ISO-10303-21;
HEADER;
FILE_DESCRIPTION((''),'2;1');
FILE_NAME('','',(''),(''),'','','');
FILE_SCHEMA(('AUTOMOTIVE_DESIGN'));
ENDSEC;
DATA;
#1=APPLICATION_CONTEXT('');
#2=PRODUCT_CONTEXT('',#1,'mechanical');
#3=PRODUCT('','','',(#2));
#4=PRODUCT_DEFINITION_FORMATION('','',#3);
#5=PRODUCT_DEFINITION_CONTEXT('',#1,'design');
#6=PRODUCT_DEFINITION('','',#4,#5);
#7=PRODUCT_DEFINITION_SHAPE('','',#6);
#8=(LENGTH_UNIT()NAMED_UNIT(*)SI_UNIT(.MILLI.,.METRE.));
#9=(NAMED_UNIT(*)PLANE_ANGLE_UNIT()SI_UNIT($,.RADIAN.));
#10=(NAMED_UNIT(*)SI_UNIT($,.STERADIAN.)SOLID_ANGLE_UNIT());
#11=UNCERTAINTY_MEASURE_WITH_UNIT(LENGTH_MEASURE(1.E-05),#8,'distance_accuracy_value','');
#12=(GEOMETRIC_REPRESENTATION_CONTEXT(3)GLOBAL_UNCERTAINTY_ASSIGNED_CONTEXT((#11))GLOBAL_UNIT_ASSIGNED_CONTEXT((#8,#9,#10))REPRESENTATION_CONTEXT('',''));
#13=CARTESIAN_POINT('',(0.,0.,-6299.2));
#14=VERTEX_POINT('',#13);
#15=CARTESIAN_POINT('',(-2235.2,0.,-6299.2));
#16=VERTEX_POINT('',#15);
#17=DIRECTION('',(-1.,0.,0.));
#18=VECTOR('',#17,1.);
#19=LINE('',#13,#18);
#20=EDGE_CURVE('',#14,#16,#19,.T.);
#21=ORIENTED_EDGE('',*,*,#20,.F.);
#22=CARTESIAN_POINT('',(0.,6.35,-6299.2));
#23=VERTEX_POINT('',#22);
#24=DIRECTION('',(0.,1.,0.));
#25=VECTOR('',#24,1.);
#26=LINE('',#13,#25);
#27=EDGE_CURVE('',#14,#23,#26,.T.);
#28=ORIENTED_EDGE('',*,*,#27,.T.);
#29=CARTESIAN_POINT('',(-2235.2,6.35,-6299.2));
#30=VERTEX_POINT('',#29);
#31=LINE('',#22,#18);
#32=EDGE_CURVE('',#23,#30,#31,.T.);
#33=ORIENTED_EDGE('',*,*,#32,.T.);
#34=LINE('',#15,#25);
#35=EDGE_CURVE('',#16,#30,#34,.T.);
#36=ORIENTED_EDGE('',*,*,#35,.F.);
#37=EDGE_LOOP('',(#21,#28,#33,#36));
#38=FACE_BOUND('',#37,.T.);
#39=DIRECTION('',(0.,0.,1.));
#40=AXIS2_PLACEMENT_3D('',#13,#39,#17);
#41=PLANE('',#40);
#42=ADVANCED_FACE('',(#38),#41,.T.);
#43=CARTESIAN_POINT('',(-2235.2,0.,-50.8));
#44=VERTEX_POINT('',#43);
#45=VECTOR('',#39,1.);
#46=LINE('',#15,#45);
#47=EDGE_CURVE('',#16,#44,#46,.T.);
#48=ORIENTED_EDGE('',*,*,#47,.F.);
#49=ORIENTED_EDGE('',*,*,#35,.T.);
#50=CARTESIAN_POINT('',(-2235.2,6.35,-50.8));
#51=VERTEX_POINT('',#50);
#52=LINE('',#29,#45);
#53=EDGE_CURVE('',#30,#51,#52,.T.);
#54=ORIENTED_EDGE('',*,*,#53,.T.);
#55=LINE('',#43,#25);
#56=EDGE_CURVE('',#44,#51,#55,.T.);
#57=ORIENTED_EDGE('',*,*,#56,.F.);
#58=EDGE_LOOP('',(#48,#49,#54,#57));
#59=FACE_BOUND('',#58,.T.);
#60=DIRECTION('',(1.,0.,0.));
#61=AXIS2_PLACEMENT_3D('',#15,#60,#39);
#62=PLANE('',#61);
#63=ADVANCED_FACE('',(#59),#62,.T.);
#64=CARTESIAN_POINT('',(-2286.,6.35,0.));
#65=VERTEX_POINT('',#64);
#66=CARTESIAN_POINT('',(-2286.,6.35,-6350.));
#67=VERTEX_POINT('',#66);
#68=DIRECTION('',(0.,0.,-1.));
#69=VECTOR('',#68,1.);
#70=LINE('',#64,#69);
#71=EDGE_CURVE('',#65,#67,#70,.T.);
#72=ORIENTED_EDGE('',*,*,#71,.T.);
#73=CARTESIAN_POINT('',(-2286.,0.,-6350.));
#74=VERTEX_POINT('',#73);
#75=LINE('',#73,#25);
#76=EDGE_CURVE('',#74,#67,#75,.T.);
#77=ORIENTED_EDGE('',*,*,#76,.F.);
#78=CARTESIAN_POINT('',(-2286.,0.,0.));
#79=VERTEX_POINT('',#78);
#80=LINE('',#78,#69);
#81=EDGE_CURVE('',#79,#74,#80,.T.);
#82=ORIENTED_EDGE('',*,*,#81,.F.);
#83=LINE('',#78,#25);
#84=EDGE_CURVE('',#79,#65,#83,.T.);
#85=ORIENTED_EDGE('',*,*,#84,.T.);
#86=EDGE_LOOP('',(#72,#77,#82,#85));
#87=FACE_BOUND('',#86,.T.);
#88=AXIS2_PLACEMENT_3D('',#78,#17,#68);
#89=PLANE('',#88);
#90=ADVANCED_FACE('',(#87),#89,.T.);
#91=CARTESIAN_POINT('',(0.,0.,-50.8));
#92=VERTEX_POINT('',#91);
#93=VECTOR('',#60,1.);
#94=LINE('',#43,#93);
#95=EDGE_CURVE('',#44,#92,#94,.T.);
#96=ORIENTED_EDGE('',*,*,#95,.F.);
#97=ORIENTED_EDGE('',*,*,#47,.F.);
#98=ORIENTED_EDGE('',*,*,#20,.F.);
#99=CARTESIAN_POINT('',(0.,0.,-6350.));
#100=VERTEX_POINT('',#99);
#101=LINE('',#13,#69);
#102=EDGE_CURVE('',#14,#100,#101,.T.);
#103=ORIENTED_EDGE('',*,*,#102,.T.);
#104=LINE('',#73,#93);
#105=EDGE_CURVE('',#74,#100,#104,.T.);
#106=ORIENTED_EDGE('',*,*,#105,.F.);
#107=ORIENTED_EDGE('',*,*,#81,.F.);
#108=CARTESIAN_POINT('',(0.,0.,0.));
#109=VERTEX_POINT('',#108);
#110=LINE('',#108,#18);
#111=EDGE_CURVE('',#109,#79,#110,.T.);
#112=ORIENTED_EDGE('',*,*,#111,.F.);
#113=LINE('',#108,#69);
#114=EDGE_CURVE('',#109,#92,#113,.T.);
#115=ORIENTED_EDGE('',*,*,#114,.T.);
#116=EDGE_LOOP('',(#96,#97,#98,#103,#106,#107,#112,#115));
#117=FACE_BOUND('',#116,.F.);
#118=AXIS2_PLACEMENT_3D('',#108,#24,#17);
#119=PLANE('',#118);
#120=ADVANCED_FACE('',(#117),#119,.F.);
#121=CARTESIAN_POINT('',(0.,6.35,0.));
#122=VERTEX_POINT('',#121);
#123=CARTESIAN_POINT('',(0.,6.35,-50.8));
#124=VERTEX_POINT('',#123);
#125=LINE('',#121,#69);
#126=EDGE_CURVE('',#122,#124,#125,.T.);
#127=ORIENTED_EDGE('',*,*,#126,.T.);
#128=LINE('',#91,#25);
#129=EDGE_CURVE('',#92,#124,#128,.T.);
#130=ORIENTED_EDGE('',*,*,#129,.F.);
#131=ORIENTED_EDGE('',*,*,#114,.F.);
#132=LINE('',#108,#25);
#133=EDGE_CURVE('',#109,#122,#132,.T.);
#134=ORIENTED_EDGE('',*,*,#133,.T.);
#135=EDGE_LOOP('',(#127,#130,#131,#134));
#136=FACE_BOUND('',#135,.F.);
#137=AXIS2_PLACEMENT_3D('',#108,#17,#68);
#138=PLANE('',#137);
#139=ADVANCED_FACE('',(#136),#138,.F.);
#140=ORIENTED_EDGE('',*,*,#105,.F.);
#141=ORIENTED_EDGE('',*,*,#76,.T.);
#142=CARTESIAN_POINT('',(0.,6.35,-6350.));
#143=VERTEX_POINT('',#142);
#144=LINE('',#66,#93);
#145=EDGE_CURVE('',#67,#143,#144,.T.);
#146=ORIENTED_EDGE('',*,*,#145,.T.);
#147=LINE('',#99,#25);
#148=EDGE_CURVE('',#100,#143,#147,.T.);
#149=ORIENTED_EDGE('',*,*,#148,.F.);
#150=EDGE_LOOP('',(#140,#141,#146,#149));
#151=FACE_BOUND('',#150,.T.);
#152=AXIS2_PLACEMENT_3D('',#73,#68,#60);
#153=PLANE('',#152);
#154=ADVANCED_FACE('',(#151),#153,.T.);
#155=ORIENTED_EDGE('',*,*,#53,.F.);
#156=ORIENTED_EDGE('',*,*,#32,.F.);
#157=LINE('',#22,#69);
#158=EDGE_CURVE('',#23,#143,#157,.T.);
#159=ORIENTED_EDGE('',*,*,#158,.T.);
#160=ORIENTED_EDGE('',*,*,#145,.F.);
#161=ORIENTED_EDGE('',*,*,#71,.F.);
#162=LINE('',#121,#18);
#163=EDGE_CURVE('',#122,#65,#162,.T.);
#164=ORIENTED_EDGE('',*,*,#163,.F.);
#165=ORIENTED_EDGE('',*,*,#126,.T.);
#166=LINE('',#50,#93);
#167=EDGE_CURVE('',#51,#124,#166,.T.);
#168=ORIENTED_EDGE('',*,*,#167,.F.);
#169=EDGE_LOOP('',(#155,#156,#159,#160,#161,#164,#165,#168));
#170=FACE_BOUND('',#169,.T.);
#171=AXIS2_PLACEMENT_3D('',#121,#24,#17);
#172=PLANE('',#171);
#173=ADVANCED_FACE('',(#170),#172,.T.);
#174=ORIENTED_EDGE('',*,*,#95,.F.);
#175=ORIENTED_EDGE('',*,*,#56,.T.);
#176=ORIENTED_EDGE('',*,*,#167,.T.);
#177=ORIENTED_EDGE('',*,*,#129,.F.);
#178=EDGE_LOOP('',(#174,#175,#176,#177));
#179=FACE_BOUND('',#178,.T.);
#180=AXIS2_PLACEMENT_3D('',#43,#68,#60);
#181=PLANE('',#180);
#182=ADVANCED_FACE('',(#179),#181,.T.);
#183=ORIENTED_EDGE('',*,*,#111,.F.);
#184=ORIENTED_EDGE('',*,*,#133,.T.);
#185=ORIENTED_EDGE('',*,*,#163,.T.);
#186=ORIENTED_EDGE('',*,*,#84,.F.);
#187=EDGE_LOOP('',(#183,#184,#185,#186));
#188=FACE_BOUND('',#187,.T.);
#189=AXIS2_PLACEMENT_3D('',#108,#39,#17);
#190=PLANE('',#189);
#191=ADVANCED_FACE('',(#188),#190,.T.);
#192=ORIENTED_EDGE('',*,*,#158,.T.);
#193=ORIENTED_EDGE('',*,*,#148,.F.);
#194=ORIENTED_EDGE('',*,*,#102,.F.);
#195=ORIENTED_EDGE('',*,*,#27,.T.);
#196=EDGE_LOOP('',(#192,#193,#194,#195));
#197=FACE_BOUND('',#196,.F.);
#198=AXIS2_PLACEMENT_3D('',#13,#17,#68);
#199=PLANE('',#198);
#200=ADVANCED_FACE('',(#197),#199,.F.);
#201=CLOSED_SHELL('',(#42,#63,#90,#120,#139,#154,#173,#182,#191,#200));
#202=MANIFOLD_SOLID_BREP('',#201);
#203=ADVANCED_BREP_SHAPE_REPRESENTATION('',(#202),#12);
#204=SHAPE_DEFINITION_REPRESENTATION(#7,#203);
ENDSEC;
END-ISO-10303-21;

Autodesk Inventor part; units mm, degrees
ref_plane "YZ Plane" through (0, 0, 0) normal (1, 0, 0) x (0, 1, 0)
ref_plane "XZ Plane" through (0, 0, 0) normal (0, 1, 0) x (-1, 0, 0)
ref_plane "XY Plane" through (0, 0, 0) normal (0, 0, 1) x (1, 0, 0)
sketch "Sketch1" plane through (0, 0, 0) normal (0, 1, 0) x (-1, 0, 0)
  line L0 (0, 0) -> (2286, 0)
  line L1 (2286, 0) -> (2286, -6350)
  line L2 (2286, -6350) -> (0, -6350)
  line L3 (0, -6299.2) -> (2235.2, -6299.2)
  line L4 (2235.2, -6299.2) -> (2235.2, -50.8)
  line L5 (2235.2, -50.8) -> (0, -50.8)
  line L6 (0, 0) -> (0, -50.8)
  line L7 (0, -6299.2) -> (0, -6350)
  dimension "d0" = 2286
  dimension "d1" = 6350
  dimension "d2" = 2286
  dimension "d3" = 50.8
extrude "Extrusion1" add sketch "Sketch1" along normal blind 6.35
properties part number "Trim_Red"
